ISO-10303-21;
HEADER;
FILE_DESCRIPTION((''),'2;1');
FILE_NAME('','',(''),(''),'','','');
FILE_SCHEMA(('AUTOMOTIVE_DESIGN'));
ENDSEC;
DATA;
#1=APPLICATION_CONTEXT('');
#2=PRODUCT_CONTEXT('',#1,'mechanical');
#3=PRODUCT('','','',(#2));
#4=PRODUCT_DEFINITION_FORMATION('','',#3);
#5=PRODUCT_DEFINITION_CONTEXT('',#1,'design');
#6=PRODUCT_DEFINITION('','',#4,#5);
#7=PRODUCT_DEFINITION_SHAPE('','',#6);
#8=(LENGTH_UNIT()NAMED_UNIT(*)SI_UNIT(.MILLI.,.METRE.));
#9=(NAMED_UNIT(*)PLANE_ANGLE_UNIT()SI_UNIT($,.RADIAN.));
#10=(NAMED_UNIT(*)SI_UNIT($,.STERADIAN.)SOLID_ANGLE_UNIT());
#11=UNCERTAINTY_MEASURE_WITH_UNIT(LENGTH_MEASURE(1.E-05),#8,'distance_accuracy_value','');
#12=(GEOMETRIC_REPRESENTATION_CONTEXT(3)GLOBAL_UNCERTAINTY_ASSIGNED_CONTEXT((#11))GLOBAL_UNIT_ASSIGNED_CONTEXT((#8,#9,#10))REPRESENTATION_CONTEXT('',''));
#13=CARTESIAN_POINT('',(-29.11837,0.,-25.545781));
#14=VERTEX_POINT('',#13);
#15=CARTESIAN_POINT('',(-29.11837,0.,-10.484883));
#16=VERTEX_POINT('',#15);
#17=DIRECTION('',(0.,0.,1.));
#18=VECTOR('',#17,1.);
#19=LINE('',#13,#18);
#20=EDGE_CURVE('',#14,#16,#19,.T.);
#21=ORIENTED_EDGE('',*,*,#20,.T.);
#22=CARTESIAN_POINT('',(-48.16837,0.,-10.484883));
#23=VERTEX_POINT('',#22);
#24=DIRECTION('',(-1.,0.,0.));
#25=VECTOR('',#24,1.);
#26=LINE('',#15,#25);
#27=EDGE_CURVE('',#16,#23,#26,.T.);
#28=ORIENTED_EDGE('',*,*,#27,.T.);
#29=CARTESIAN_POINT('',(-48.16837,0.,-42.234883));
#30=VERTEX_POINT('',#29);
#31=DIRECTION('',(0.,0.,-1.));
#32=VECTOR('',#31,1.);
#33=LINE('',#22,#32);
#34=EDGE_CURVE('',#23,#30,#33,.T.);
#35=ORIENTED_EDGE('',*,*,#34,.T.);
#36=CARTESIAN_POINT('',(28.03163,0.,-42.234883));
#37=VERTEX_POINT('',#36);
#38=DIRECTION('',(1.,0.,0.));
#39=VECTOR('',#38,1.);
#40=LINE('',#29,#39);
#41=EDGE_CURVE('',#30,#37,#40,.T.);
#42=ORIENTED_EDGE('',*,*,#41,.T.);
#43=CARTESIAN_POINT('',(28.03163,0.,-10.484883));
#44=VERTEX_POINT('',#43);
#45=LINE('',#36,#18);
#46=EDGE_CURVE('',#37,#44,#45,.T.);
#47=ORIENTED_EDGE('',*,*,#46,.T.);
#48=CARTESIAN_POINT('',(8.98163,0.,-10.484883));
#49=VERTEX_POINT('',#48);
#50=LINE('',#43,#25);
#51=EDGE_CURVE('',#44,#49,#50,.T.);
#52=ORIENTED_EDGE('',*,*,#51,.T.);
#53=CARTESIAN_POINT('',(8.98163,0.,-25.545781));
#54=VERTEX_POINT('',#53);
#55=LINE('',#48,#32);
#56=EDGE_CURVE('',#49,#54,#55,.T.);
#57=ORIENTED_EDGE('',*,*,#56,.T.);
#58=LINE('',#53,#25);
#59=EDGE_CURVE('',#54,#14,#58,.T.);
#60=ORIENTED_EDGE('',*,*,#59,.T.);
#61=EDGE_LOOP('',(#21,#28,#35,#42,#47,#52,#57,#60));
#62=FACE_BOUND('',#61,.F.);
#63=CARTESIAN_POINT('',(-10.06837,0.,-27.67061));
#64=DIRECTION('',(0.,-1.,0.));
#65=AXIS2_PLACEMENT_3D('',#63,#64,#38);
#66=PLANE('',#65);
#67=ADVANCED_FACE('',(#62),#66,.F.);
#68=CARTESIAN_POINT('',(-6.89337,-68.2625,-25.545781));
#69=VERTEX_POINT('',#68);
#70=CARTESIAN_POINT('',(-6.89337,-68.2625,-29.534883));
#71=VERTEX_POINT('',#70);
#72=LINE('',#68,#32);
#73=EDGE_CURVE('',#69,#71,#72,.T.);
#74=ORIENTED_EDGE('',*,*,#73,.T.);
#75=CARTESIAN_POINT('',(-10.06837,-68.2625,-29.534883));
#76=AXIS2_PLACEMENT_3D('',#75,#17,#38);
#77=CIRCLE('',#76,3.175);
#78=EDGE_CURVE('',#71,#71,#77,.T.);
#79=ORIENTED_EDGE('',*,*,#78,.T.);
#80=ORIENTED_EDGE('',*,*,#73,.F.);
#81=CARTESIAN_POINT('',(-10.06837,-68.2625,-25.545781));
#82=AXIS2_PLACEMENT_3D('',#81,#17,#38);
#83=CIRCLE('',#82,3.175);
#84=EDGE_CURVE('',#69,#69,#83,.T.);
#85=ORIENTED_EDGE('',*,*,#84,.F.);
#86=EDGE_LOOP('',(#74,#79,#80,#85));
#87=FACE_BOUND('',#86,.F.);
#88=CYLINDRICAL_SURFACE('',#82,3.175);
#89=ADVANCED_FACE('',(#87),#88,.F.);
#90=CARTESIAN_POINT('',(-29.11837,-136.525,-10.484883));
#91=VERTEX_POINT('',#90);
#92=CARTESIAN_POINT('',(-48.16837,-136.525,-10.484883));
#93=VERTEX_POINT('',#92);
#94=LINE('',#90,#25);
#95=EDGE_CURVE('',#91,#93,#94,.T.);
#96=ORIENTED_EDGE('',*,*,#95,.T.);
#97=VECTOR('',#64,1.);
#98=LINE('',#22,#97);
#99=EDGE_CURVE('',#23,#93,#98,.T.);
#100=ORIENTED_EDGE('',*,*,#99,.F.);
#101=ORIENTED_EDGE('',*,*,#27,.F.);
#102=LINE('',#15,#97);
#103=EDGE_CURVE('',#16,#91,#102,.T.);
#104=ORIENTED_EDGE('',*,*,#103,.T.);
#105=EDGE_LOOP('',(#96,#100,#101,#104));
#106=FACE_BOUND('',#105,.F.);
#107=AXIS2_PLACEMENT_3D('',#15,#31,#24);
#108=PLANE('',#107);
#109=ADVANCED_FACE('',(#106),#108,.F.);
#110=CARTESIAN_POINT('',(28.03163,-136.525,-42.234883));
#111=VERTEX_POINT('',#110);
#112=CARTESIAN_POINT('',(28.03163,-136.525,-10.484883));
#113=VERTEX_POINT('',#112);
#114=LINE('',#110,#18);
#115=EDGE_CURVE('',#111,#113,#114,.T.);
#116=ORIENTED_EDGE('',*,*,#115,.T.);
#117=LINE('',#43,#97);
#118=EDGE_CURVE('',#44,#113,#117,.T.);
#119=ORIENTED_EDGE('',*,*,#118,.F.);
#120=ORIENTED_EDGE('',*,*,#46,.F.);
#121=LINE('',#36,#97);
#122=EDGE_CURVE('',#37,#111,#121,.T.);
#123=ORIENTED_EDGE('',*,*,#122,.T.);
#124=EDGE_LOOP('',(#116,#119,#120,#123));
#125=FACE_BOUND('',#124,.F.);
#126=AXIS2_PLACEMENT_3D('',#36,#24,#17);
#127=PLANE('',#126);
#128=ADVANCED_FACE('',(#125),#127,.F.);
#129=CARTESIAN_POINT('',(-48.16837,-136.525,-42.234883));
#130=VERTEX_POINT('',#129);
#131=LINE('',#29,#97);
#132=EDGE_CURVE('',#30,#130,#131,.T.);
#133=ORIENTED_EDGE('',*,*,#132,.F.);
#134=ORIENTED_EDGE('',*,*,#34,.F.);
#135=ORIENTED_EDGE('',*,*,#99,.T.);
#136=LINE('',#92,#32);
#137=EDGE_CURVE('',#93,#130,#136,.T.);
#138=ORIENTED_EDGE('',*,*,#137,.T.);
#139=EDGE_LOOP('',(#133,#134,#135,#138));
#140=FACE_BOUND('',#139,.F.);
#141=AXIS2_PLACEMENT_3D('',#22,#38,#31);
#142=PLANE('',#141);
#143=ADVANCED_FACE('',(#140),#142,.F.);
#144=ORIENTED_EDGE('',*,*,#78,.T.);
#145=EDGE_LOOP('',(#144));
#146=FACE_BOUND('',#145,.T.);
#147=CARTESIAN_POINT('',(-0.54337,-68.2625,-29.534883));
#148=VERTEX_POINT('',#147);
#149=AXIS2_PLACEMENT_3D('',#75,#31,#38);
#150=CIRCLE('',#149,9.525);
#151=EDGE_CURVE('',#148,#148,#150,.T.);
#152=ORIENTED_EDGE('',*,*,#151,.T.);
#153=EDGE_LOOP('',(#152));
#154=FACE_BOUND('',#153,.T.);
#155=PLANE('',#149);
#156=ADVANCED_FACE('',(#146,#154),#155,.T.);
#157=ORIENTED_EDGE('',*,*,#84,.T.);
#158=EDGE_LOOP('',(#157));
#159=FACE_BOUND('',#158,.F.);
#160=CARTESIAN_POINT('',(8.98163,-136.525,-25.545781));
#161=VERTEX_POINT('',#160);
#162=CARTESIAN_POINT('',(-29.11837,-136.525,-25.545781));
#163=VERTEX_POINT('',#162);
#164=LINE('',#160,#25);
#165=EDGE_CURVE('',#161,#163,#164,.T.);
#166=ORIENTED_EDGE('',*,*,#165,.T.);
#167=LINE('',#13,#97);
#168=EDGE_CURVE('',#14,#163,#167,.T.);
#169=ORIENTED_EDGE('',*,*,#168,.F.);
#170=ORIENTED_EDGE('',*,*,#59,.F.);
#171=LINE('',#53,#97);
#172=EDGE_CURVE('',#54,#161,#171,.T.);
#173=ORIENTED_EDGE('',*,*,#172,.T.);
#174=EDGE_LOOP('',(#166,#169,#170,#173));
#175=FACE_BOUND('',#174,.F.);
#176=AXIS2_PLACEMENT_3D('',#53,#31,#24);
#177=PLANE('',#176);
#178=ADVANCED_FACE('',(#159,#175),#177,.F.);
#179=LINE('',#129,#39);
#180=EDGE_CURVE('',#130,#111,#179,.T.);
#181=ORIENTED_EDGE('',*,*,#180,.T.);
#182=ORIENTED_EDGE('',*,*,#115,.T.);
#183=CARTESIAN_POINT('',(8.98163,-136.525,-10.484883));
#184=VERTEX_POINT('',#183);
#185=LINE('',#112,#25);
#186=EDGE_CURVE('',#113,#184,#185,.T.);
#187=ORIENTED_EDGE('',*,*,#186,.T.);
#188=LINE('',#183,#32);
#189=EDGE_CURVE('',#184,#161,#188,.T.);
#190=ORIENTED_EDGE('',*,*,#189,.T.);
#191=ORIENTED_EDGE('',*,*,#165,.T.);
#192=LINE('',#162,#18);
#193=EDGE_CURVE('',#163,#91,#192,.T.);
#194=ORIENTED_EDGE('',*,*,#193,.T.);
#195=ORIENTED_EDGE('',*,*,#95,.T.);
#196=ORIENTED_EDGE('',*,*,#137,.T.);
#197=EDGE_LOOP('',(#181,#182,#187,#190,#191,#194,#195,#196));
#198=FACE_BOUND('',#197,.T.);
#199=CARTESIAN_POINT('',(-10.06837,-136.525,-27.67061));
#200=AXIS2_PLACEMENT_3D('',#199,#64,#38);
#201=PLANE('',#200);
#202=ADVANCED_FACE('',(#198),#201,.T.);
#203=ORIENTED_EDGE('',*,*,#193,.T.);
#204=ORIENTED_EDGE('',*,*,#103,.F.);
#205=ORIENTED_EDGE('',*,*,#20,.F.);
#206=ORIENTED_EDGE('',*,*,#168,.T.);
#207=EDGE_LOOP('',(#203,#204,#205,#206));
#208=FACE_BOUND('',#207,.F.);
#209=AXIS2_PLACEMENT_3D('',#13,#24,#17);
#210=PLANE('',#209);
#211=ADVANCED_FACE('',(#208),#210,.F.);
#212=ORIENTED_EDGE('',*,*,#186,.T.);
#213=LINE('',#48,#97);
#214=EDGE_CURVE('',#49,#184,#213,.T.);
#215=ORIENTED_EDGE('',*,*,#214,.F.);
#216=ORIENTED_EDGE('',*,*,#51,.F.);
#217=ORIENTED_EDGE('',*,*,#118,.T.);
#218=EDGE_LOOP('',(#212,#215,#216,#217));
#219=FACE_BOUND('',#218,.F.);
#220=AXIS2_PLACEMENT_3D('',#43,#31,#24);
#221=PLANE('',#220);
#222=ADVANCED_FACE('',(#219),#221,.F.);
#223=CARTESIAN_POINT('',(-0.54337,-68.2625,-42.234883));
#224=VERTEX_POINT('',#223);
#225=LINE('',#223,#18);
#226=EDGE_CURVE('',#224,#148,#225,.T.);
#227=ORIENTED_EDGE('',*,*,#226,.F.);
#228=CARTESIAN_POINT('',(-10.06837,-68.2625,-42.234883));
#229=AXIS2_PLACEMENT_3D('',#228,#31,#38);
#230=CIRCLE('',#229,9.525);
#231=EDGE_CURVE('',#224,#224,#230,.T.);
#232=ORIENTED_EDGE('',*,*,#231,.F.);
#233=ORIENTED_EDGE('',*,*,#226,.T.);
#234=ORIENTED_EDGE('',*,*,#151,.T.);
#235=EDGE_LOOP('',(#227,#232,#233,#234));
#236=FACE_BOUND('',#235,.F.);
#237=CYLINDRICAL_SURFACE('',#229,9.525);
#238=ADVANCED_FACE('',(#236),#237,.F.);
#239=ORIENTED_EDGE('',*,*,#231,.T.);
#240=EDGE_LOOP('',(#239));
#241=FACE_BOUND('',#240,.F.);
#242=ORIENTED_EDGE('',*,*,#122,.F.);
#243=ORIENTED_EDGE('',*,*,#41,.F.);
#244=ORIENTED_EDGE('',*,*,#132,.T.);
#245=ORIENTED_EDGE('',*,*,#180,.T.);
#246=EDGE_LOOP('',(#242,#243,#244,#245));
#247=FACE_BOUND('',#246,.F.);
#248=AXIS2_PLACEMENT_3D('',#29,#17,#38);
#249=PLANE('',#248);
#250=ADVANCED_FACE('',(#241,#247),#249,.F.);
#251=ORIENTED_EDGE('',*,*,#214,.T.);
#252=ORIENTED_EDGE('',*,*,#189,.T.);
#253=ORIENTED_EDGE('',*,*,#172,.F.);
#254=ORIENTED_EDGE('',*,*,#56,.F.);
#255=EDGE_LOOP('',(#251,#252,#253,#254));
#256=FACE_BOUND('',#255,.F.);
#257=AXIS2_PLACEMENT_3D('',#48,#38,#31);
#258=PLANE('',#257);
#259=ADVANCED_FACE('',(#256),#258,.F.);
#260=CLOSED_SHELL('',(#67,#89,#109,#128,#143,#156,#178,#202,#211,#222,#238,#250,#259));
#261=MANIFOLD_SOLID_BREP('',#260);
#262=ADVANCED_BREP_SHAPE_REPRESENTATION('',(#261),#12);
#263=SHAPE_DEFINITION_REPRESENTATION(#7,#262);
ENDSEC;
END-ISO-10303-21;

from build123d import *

# Parameters (mm, degrees)
F1_DEPTH = 136.525
F2_R     = 3.175
F3_DEPTH = 6.35
F5_R     = 9.525
F6_DEPTH = 12.7
F4_R     = 3.175
F7_DEPTH = 25.4


with BuildPart() as f1:
    # F0 (on Front) → F1 (new body)
    with BuildSketch(Plane.XZ):
        Polygon((-48.16837, -10.484883), (-48.16837, -42.234883), (28.03163, -42.234883), (28.03163, -10.484883), (8.98163, -10.484883), (8.98163, -25.545781), (-29.11837, -25.545781), (-29.11837, -10.484883), align=None)
    extrude(amount=F1_DEPTH)

    # F2 (on face) → F3 (join)
    with BuildSketch(Plane.XY.offset(-25.545781)):
        with Locations((-10.06837, -68.2625)):
            Circle(F2_R)
    extrude(amount=-F3_DEPTH)

    # F5 (on face) → F6 (cut)
    with BuildSketch(Plane(origin=(0, 0, -42.234883), x_dir=(1, 0, 0), z_dir=(0, 0, -1))):
        with Locations((-10.06837, 68.2625)):
            Circle(F5_R)
    extrude(amount=-F6_DEPTH, mode=Mode.SUBTRACT)

    # F4 (on face) → F7 (cut)
    with BuildSketch(Plane.XY.offset(-25.545781)):
        with Locations((-10.06837, -68.2625)):
            Circle(F4_R)
    extrude(amount=-F7_DEPTH, mode=Mode.SUBTRACT)


solid = f1.part
